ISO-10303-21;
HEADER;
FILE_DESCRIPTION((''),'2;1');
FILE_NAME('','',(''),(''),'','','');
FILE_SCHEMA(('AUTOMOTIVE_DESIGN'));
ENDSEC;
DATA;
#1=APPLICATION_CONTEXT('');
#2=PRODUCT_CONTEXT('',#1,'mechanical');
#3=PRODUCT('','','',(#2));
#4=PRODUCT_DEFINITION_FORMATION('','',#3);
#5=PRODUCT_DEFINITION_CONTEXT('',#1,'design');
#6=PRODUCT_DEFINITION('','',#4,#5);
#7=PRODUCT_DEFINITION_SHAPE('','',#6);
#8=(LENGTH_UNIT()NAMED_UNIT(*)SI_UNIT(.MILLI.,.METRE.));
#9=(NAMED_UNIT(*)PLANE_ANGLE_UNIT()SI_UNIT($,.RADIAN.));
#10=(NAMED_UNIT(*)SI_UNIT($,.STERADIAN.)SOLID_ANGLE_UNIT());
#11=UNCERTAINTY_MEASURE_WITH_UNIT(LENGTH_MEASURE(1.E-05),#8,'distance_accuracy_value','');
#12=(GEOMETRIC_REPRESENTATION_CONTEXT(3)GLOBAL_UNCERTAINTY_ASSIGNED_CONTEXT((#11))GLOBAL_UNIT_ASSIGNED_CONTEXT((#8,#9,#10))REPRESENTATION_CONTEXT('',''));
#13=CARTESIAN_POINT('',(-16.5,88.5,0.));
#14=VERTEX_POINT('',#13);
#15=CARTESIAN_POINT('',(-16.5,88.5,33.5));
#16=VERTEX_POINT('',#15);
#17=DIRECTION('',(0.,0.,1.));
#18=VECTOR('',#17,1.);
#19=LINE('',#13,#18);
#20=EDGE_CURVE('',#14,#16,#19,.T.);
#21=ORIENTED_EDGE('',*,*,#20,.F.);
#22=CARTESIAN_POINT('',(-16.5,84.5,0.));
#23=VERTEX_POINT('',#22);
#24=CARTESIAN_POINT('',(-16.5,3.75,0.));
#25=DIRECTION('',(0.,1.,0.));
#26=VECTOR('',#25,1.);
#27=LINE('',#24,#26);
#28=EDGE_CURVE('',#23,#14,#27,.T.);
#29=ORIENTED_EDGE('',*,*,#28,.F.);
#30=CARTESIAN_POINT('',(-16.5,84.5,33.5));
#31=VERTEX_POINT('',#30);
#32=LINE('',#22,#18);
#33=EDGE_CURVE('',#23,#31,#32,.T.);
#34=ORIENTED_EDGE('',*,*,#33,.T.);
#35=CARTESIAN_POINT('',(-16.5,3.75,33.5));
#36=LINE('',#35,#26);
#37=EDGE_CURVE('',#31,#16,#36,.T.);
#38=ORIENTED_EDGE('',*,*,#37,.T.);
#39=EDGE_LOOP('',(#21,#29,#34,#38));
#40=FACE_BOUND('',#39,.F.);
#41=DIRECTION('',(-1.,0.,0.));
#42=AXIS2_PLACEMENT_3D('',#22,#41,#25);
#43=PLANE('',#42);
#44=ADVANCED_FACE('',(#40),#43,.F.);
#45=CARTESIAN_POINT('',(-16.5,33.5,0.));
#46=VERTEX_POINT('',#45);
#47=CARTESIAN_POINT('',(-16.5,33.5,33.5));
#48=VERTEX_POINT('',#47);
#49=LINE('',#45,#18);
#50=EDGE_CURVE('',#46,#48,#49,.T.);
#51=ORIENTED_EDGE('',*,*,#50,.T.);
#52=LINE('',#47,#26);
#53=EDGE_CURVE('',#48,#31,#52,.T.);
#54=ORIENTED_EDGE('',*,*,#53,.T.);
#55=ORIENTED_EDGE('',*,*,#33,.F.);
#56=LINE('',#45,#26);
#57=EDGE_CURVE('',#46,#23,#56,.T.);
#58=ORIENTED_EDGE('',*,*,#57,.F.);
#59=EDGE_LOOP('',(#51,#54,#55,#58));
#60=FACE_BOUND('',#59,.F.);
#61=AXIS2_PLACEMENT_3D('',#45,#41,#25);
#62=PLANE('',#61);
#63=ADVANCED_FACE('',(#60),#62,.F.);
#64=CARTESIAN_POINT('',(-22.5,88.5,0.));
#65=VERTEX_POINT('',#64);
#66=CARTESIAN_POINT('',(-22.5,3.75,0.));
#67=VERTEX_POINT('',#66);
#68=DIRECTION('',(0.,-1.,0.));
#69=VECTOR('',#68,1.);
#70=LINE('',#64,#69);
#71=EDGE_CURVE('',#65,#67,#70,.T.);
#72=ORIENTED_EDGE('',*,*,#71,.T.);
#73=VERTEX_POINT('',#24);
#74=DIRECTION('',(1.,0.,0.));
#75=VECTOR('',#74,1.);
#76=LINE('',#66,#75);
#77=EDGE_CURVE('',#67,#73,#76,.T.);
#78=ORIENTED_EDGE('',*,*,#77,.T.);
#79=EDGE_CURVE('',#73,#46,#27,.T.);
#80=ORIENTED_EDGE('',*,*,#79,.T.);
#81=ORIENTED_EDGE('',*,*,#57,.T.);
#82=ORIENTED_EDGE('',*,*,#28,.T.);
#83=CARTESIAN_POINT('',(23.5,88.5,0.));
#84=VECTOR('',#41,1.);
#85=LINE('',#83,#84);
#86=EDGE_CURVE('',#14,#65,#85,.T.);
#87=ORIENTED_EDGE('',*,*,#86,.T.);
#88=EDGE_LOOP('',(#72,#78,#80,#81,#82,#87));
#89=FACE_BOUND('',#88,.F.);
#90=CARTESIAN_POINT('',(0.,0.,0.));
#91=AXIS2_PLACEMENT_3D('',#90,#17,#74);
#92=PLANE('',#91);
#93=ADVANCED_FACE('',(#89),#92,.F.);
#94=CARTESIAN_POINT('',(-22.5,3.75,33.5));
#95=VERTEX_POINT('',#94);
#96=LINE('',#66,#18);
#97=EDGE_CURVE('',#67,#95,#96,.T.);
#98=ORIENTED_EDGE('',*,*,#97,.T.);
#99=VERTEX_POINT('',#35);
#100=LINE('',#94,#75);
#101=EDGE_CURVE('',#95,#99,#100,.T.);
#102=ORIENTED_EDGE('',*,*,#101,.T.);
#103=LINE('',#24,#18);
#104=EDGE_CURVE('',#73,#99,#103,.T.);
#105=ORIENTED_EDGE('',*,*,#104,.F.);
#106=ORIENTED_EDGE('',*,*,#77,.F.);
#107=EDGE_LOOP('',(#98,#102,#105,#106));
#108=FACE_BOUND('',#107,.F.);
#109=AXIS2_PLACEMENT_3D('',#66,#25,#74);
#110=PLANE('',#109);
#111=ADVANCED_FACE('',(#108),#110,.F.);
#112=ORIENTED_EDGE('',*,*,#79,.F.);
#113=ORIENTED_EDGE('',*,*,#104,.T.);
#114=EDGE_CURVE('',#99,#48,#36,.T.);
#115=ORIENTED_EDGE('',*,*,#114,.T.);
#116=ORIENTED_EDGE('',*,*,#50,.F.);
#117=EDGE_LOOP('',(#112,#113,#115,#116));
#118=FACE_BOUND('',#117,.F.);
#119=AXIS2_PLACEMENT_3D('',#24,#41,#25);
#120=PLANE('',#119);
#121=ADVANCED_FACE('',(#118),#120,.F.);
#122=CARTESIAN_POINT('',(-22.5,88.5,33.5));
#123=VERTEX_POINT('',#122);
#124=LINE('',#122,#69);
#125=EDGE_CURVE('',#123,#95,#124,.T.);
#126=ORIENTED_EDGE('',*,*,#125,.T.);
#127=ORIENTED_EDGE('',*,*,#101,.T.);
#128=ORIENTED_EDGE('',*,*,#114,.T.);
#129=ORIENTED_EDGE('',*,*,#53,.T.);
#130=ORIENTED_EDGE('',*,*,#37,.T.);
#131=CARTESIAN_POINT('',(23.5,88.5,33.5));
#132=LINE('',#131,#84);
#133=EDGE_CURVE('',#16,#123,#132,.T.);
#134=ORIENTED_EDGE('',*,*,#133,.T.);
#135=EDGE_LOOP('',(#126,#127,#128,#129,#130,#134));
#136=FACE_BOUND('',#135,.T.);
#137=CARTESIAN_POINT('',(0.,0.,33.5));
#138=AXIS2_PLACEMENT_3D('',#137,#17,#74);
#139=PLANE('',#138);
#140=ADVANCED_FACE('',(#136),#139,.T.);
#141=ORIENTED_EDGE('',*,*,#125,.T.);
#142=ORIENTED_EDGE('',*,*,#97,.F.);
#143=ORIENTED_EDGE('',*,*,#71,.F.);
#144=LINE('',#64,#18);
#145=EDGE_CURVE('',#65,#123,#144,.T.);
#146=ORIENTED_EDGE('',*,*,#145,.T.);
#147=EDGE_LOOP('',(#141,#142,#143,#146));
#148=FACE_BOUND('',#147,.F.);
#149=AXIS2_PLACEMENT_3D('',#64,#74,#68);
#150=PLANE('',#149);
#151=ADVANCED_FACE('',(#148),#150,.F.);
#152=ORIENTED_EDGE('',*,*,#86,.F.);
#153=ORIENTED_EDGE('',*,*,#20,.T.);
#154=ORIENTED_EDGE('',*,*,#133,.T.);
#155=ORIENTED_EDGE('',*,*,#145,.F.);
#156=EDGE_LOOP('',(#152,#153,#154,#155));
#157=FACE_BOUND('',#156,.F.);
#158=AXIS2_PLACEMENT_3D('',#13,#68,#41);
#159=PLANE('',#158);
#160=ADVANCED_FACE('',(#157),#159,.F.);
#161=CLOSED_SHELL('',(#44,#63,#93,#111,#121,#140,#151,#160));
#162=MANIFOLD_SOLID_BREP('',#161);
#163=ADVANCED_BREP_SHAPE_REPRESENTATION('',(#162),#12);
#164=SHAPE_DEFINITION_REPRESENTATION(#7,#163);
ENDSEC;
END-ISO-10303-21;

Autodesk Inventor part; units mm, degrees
ref_plane "YZ Plane" through (0, 0, 0) normal (1, 0, 0) x (0, 1, 0)
ref_plane "XZ Plane" through (0, 0, 0) normal (0, 1, 0) x (-1, 0, 0)
ref_plane "Work Plane1" through (0, 0, 0) normal (0, 0, 1) x (1, 0, 0)
sketch "Sketch1" plane through (0, 0, 0) normal (0, 0, 1) x (1, 0, 0)
  line L0 (23.5, 88.5) -> (-23.5, 88.5) projected
  line L1 (-23.5, 88.5) -> (-23.5, 33.5) projected
  line L2 (-23.5, 33.5) -> (-89, 33.5) projected
  line L3 (-89, 33.5) -> (-89, -73.5) projected
  line L4 (-89, -73.5) -> (-74, -73.5) projected
  line L5 (-74, -73.5) -> (-74, -93.5) projected
  line L6 (-74, -93.5) -> (74, -93.5) projected
  line L7 (74, -93.5) -> (74, -73.5) projected
  line L8 (74, -73.5) -> (89, -73.5) projected
  line L9 (89, -73.5) -> (89, 33.5) projected
  line L10 (89, 33.5) -> (23.5, 33.5) projected
  line L11 (23.5, 33.5) -> (23.5, 88.5) projected
  line L12 (-4.5, 84.5) -> (-4.5, 33.5) projected
  line L13 (-4.5, 33.5) -> (-16.5, 33.5) projected
  line L14 (-16.5, 33.5) -> (-16.5, 84.5) projected
  line L15 (4.5, 84.5) -> (16.5, 84.5) projected
  line L16 (16.5, 84.5) -> (16.5, 33.5) projected
  line L17 (16.5, 33.5) -> (4.5, 33.5) projected
  line L18 (4.5, 33.5) -> (4.5, 84.5) projected
  line L19 (-16.5, 84.5) -> (-4.5, 84.5) projected
  line L20 (-16.5, 88.5) -> (-22.5, 88.5)
  line L21 (-22.5, 88.5) -> (-22.5, 3.75)
  line L22 (-22.5, 3.75) -> (-16.5, 3.75)
  line L23 (-16.5, 3.75) -> (-16.5, 88.5)
  line L24 (-32.2, 4.75) -> (-59.9, 4.75)
  point P0 (0, 0)
  point P1 (-16.5, 33.5)
  point P2 (-16.5, 84.5)
  dimension "d0" = 1
  dimension "d2" = 1
ref_plane "Work Plane2" through (-89, -40.3889, 33.5) normal (0, 0, 1) x (1, 0, 0)
extrude "Extrusion1" add sketch "Sketch1" along normal up to surface (33.5 mm away) contours L23 L14 L22 L21 L0
properties part number "right_gear_holder"
